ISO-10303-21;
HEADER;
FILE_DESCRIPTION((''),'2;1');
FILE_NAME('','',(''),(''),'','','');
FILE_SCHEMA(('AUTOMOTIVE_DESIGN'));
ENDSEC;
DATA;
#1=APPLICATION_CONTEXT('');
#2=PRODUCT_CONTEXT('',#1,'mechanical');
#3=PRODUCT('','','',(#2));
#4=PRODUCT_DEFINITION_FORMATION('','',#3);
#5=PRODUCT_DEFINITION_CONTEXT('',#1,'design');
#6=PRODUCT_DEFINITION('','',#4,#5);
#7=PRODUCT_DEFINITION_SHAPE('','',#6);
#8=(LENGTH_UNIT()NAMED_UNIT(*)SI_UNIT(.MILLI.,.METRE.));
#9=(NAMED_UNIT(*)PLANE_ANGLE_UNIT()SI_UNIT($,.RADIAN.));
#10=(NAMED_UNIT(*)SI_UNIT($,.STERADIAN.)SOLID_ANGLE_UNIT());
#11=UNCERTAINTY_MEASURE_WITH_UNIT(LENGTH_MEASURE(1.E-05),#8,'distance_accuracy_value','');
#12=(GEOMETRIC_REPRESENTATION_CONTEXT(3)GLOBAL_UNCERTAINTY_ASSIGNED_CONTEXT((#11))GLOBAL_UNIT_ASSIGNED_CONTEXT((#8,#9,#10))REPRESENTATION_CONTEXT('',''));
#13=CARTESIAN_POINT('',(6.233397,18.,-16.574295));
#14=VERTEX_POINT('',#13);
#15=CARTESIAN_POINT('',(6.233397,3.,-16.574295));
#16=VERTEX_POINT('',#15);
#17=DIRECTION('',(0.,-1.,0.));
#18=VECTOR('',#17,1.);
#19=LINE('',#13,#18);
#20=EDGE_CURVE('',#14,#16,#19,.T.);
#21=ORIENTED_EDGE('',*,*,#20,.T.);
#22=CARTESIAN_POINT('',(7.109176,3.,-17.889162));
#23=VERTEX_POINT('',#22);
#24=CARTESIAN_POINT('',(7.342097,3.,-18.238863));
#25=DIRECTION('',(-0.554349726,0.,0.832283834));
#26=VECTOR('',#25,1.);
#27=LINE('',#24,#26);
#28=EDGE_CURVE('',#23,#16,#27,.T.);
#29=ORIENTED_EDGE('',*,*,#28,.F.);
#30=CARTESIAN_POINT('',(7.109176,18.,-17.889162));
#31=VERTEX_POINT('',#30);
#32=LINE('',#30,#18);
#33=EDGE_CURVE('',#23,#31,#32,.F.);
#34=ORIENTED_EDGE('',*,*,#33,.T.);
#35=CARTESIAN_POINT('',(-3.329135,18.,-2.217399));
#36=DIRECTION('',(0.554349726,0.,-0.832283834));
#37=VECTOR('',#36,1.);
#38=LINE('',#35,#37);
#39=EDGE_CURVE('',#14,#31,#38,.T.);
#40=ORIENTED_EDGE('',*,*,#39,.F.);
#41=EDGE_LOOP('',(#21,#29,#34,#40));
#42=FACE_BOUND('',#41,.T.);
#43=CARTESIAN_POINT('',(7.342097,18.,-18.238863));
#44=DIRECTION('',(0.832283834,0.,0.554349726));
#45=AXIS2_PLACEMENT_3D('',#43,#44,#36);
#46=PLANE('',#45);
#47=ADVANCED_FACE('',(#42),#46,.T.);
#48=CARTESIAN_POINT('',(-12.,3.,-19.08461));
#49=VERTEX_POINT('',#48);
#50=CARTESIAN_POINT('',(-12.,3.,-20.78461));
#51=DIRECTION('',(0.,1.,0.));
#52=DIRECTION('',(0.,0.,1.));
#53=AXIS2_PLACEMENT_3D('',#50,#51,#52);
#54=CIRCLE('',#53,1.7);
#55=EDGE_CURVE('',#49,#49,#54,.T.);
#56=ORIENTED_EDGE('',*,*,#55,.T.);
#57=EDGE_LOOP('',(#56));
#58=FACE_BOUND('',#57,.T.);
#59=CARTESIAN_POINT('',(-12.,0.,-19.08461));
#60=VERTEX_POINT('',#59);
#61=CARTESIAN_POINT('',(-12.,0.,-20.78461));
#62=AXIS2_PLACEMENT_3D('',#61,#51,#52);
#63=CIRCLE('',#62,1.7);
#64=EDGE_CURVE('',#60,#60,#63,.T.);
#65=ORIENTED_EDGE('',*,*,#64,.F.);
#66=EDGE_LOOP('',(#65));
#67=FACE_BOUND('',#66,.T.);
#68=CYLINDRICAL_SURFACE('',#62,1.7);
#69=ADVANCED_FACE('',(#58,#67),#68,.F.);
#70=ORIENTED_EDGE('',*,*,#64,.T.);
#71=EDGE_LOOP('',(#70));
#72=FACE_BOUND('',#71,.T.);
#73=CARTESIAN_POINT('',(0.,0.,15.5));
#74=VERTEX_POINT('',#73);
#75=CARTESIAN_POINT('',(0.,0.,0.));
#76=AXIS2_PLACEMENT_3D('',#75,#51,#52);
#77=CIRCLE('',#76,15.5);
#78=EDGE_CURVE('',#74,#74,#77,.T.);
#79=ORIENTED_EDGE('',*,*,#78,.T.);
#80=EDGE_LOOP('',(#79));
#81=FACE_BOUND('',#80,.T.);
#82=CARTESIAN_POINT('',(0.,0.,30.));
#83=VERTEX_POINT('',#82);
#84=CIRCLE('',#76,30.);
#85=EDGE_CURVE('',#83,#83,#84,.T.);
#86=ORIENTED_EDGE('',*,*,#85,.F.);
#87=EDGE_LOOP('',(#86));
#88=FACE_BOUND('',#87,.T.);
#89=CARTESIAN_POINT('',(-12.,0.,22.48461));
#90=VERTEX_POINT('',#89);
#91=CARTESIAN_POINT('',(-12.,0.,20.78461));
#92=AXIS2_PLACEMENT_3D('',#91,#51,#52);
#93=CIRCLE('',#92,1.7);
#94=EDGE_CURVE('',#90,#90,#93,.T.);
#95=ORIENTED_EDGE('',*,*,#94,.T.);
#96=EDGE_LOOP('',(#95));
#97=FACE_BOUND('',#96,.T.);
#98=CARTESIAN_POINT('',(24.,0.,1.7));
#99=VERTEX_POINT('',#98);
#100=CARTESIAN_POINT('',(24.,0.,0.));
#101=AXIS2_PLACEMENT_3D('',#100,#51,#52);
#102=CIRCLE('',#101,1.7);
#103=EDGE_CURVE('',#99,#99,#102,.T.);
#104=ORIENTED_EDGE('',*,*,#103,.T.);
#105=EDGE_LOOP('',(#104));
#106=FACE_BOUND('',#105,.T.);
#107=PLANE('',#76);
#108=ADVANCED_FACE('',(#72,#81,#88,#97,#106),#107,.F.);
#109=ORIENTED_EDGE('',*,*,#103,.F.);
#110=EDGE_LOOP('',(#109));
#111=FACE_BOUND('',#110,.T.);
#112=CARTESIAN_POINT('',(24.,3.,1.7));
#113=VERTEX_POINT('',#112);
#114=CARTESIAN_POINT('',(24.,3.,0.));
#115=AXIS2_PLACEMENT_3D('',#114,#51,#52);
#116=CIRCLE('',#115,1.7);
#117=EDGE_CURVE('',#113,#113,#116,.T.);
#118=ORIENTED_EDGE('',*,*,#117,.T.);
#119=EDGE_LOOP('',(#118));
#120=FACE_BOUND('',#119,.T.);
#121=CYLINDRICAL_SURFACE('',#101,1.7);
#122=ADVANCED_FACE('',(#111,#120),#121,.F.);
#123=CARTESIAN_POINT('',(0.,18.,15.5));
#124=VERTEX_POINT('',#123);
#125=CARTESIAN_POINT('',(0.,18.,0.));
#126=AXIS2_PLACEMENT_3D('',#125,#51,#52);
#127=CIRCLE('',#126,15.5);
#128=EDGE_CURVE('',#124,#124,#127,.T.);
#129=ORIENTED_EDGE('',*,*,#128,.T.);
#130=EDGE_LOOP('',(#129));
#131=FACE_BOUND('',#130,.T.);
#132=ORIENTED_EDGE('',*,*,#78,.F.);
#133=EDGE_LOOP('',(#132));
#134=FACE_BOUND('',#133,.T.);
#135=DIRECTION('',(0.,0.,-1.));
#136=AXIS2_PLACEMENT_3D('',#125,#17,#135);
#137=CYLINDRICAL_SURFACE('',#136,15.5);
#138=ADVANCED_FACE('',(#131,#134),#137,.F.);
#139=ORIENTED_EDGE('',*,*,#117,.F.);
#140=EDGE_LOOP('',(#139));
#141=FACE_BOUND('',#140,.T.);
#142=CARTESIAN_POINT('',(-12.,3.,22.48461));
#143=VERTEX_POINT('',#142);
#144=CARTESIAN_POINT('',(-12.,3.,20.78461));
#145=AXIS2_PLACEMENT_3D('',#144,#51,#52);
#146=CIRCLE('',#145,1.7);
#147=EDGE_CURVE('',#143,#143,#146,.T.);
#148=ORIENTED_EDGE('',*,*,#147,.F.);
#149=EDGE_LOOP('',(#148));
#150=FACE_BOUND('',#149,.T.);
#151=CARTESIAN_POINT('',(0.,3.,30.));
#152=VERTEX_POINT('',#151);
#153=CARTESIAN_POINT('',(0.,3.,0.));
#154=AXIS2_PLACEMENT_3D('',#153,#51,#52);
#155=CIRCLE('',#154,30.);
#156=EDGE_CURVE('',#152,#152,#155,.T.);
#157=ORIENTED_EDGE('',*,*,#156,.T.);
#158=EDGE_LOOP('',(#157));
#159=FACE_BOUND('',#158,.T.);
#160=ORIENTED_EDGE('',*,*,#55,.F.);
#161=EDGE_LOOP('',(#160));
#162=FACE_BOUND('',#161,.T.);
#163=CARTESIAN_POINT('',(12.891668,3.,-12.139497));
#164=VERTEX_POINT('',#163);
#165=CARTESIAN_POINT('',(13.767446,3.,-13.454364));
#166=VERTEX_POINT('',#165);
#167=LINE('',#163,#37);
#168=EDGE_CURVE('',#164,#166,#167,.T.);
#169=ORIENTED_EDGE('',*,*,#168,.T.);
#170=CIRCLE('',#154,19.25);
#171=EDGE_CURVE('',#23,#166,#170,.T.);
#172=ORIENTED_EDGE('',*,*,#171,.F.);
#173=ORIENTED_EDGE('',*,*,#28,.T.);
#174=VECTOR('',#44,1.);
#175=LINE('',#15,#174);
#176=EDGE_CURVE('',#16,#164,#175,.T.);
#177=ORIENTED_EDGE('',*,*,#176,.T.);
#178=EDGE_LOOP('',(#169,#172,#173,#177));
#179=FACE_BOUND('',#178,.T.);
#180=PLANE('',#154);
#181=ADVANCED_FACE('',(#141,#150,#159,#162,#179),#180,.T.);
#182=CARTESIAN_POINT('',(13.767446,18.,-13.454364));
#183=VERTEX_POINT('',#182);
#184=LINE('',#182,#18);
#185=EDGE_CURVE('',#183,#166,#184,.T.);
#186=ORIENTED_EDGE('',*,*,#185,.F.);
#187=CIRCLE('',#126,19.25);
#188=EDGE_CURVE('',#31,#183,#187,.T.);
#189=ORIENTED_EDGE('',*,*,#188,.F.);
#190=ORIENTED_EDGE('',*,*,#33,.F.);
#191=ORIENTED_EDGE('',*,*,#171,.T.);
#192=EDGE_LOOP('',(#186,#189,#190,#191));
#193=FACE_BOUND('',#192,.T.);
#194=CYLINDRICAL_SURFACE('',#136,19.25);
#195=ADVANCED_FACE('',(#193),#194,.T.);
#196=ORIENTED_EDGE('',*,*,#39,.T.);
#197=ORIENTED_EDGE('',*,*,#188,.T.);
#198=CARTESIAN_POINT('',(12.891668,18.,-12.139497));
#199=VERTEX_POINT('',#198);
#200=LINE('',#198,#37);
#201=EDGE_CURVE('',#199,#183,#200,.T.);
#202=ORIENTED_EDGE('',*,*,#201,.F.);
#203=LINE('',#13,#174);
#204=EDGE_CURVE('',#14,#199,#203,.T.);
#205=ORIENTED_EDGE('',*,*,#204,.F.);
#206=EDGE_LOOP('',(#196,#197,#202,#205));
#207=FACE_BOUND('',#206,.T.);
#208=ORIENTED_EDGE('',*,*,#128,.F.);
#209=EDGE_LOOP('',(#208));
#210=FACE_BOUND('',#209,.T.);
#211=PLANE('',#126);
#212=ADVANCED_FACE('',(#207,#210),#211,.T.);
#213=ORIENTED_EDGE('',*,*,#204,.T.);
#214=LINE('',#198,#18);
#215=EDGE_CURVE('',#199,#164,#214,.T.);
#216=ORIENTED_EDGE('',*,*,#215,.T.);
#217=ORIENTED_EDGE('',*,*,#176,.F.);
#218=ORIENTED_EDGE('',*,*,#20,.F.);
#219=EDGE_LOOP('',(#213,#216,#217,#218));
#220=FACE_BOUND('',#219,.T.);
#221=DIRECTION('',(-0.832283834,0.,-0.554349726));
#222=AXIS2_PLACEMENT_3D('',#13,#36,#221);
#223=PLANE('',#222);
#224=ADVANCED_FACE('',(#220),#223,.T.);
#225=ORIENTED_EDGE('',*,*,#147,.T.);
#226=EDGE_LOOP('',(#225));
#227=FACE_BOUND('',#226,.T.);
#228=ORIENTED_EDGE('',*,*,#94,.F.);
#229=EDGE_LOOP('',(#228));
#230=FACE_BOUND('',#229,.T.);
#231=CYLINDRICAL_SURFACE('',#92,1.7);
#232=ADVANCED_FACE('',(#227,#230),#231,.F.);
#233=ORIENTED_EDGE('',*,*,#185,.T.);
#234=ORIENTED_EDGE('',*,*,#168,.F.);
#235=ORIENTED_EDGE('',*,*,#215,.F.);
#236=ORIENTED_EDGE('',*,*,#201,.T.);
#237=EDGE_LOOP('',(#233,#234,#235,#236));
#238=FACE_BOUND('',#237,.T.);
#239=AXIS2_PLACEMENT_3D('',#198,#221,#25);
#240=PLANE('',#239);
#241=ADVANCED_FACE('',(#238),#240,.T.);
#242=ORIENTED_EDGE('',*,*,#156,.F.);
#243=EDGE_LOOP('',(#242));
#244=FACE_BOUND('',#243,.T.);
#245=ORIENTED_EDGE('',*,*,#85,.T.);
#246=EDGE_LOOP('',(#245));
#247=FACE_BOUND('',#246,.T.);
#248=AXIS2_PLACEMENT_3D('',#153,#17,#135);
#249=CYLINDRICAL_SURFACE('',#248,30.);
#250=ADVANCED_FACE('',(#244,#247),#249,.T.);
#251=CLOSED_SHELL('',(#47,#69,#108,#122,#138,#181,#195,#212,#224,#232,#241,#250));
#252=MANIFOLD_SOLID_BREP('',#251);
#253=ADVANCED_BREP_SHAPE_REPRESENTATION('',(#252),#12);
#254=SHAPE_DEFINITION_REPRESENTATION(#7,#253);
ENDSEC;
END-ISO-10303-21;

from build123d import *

# Parameters (mm, degrees)
SKETCH2_R          = 30
SKETCH2_R_2        = 19.25
FLANG_DEPTH        = 3
SKETCH2_3_R        = 19.25
SKETCH2_3_R_2      = 15.5
SKIRT_DEPTH        = 18
SKETCH3_R          = 1.7
HOLES_BOLTS_DEPTH  = 46
SERVICE_SLOT_DEPTH = 46


with BuildPart() as part:
    # Sketch2 → flang (new body)
    with BuildSketch(Plane(origin=(0, 0, 0), x_dir=(1, 0, 0), z_dir=(0, 1, 0))):
        Circle(SKETCH2_R)
        Circle(SKETCH2_R_2, mode=Mode.SUBTRACT)
    extrude(amount=FLANG_DEPTH)

    # Sketch2<3> → skirt (add)
    with BuildSketch(Plane(origin=(0, 0, 0), x_dir=(1, 0, 0), z_dir=(0, 1, 0))):
        Circle(SKETCH2_3_R)
        Circle(SKETCH2_3_R_2, mode=Mode.SUBTRACT)
    extrude(amount=SKIRT_DEPTH)

    # Sketch3 → holes_bolts (cut, through all)
    with BuildSketch(Plane(origin=(0, 3, 0), x_dir=(1, 0, 0), z_dir=(0, 1, 0))):
        with Locations((24, 0)):
            Circle(SKETCH3_R)
        with Locations((-12, -20.784609691)):
            Circle(SKETCH3_R)
        with Locations((-12, 20.784609691)):
            Circle(SKETCH3_R)
    extrude(amount=-HOLES_BOLTS_DEPTH, mode=Mode.SUBTRACT)

    # Sketch8 → service_slot (cut, through all)
    with BuildSketch(Plane(origin=(0, 3, 0), x_dir=(1, 0, 0), z_dir=(0, 1, 0))):
        Polygon((14.000367572, 13.804064903), (7.342096898, 18.238862715), (6.233397445, 16.574295047), (12.891668119, 12.139497235), align=None)
    extrude(amount=SERVICE_SLOT_DEPTH, mode=Mode.SUBTRACT)


solid = part.part
